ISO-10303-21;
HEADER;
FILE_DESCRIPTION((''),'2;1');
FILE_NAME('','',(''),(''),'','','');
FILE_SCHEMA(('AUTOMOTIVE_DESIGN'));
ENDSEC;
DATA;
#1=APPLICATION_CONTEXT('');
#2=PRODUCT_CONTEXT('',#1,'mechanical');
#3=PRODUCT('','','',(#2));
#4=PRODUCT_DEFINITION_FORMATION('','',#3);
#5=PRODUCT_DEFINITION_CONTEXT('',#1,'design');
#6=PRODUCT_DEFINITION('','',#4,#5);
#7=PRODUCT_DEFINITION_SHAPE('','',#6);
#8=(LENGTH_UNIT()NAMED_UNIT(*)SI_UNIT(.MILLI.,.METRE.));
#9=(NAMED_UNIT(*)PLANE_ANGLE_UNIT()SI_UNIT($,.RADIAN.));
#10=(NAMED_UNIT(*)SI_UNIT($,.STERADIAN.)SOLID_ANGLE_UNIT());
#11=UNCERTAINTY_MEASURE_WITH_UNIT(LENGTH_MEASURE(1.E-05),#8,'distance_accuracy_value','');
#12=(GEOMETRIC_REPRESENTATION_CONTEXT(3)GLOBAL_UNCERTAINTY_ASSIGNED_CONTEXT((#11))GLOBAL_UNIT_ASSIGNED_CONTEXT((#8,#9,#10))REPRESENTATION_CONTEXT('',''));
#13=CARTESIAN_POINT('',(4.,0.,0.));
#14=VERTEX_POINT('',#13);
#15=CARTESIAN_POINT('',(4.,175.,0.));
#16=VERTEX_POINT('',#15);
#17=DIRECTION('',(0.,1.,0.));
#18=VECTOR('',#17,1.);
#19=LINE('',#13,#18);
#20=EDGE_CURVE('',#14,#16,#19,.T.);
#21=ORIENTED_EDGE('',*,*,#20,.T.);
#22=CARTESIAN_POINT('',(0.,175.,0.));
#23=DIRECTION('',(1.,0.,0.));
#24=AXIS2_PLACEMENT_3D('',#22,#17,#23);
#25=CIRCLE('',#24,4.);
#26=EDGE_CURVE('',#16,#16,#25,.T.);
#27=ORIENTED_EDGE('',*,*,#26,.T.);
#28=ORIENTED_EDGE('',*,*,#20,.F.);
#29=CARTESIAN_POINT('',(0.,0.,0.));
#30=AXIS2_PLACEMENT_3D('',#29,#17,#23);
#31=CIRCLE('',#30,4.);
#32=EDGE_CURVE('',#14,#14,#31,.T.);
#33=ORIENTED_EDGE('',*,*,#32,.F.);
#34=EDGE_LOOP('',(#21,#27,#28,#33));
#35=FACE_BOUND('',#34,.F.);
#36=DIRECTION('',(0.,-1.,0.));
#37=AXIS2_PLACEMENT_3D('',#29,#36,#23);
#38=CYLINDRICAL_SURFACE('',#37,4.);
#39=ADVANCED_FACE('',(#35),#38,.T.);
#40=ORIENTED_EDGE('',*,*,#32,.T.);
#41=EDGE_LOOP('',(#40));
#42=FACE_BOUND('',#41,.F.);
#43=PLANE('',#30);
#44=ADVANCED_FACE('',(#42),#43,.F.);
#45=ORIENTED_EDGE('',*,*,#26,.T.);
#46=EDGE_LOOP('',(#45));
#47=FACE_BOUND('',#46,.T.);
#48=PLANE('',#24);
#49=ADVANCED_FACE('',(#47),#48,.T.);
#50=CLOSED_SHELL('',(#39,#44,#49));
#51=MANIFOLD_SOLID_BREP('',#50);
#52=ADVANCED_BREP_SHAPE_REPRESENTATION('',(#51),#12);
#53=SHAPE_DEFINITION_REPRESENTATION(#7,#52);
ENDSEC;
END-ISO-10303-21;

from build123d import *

# Parameters (mm, degrees)
CROQUIS1_R              = 4
SALIENTE_EXTRUIR1_DEPTH = 175


with BuildPart() as part:
    # Croquis1 → Saliente-Extruir1 (new body)
    with BuildSketch(Plane(origin=(0, 0, 0), x_dir=(1, 0, 0), z_dir=(0, 1, 0))):
        Circle(CROQUIS1_R)
    extrude(amount=SALIENTE_EXTRUIR1_DEPTH)


solid = part.part
